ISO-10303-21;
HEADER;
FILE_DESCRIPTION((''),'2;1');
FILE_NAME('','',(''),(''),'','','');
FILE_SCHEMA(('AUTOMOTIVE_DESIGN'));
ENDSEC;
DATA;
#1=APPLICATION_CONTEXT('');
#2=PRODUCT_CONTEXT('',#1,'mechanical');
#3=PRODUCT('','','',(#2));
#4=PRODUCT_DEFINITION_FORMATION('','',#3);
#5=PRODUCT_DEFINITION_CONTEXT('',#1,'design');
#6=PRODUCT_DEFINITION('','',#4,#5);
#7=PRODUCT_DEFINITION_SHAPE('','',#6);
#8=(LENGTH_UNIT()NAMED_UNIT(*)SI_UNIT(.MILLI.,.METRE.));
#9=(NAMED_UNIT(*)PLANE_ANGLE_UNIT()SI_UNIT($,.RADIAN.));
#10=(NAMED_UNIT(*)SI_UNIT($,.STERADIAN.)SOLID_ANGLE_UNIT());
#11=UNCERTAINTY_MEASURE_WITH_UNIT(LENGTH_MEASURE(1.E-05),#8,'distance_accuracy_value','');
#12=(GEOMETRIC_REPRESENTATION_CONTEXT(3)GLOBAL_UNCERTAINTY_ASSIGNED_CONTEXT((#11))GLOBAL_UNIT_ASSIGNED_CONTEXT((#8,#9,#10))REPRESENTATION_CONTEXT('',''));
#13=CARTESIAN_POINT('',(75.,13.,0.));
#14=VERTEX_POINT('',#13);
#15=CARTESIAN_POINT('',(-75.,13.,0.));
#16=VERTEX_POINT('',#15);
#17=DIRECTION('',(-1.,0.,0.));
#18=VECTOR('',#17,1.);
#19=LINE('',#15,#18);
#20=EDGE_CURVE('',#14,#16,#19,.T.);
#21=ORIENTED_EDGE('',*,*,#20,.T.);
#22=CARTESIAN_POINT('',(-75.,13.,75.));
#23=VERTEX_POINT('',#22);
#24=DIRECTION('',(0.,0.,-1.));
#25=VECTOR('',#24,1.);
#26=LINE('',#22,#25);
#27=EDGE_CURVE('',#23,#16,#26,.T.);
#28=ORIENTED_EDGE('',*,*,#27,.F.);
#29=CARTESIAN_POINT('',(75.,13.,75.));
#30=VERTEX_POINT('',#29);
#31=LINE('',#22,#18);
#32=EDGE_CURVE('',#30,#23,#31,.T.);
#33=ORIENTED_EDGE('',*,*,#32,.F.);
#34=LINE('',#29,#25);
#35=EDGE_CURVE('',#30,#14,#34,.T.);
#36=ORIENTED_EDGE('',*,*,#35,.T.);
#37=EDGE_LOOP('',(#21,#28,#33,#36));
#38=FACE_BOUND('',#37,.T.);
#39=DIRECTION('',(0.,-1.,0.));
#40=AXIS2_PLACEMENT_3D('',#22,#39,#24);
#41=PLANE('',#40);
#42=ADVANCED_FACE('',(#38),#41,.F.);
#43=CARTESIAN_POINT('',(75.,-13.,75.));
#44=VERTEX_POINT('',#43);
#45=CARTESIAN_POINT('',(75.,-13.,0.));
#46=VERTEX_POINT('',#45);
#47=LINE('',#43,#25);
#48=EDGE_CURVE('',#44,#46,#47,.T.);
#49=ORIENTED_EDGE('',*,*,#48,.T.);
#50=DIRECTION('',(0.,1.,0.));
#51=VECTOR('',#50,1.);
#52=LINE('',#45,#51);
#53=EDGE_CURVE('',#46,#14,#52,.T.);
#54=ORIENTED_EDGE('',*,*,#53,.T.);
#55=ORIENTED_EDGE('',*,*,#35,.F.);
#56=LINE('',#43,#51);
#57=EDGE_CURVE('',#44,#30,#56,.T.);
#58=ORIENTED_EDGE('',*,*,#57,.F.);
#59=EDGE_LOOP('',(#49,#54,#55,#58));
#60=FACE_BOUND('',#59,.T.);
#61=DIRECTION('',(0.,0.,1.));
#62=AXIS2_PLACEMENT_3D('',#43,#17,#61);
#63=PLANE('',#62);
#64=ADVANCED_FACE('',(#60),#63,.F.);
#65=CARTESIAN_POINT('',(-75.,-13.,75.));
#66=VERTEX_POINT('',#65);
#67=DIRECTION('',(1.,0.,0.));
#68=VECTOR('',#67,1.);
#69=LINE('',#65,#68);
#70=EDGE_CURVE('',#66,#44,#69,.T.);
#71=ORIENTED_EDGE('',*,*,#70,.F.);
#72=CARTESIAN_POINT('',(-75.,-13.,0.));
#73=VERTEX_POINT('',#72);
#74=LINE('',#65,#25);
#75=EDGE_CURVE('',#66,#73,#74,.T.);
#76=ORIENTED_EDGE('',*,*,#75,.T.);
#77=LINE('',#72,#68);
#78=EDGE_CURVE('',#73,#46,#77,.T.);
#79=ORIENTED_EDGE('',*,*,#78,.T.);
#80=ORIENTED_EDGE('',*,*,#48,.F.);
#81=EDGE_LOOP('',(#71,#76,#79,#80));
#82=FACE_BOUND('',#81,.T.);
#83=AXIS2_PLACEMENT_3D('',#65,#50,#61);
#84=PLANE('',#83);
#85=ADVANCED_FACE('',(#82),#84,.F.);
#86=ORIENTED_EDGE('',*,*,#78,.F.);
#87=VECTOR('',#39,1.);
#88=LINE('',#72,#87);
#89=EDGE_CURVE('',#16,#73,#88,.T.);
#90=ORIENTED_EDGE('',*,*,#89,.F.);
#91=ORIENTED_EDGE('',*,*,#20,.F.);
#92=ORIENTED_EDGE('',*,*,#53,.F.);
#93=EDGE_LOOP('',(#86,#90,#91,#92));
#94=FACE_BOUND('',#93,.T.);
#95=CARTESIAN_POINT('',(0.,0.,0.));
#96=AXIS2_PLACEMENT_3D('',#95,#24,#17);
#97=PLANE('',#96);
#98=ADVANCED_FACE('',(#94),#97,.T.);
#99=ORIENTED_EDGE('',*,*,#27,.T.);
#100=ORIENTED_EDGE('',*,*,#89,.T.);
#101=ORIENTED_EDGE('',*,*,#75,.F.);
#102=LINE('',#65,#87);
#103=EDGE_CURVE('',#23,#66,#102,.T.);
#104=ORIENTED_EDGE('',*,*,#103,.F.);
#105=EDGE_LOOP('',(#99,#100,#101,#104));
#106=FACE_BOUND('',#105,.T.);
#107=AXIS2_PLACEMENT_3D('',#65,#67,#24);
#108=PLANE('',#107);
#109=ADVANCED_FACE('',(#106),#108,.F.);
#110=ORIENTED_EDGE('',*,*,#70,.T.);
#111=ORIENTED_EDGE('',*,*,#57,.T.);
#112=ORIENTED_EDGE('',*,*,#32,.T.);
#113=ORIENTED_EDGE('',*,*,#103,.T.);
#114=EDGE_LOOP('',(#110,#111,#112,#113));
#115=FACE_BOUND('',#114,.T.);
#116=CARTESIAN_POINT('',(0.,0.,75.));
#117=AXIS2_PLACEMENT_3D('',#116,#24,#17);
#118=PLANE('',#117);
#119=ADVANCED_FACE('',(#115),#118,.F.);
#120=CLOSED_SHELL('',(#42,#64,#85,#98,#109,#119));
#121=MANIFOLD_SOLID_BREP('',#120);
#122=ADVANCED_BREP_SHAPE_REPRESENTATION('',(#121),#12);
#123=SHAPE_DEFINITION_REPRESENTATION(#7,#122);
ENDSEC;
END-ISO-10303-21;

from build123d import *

# Parameters (mm, degrees)
SKETCH_1_W                   = 150
SKETCH_1_H                   = 26
SOLID_OBS_04_LEFT_WALL_DEPTH = 75


with BuildPart() as part:
    # 草图1 → solid_obs_04_left_wall (new body)
    with BuildSketch(Plane.XY):
        Rectangle(SKETCH_1_W, SKETCH_1_H)
    extrude(amount=SOLID_OBS_04_LEFT_WALL_DEPTH)


solid = part.part
